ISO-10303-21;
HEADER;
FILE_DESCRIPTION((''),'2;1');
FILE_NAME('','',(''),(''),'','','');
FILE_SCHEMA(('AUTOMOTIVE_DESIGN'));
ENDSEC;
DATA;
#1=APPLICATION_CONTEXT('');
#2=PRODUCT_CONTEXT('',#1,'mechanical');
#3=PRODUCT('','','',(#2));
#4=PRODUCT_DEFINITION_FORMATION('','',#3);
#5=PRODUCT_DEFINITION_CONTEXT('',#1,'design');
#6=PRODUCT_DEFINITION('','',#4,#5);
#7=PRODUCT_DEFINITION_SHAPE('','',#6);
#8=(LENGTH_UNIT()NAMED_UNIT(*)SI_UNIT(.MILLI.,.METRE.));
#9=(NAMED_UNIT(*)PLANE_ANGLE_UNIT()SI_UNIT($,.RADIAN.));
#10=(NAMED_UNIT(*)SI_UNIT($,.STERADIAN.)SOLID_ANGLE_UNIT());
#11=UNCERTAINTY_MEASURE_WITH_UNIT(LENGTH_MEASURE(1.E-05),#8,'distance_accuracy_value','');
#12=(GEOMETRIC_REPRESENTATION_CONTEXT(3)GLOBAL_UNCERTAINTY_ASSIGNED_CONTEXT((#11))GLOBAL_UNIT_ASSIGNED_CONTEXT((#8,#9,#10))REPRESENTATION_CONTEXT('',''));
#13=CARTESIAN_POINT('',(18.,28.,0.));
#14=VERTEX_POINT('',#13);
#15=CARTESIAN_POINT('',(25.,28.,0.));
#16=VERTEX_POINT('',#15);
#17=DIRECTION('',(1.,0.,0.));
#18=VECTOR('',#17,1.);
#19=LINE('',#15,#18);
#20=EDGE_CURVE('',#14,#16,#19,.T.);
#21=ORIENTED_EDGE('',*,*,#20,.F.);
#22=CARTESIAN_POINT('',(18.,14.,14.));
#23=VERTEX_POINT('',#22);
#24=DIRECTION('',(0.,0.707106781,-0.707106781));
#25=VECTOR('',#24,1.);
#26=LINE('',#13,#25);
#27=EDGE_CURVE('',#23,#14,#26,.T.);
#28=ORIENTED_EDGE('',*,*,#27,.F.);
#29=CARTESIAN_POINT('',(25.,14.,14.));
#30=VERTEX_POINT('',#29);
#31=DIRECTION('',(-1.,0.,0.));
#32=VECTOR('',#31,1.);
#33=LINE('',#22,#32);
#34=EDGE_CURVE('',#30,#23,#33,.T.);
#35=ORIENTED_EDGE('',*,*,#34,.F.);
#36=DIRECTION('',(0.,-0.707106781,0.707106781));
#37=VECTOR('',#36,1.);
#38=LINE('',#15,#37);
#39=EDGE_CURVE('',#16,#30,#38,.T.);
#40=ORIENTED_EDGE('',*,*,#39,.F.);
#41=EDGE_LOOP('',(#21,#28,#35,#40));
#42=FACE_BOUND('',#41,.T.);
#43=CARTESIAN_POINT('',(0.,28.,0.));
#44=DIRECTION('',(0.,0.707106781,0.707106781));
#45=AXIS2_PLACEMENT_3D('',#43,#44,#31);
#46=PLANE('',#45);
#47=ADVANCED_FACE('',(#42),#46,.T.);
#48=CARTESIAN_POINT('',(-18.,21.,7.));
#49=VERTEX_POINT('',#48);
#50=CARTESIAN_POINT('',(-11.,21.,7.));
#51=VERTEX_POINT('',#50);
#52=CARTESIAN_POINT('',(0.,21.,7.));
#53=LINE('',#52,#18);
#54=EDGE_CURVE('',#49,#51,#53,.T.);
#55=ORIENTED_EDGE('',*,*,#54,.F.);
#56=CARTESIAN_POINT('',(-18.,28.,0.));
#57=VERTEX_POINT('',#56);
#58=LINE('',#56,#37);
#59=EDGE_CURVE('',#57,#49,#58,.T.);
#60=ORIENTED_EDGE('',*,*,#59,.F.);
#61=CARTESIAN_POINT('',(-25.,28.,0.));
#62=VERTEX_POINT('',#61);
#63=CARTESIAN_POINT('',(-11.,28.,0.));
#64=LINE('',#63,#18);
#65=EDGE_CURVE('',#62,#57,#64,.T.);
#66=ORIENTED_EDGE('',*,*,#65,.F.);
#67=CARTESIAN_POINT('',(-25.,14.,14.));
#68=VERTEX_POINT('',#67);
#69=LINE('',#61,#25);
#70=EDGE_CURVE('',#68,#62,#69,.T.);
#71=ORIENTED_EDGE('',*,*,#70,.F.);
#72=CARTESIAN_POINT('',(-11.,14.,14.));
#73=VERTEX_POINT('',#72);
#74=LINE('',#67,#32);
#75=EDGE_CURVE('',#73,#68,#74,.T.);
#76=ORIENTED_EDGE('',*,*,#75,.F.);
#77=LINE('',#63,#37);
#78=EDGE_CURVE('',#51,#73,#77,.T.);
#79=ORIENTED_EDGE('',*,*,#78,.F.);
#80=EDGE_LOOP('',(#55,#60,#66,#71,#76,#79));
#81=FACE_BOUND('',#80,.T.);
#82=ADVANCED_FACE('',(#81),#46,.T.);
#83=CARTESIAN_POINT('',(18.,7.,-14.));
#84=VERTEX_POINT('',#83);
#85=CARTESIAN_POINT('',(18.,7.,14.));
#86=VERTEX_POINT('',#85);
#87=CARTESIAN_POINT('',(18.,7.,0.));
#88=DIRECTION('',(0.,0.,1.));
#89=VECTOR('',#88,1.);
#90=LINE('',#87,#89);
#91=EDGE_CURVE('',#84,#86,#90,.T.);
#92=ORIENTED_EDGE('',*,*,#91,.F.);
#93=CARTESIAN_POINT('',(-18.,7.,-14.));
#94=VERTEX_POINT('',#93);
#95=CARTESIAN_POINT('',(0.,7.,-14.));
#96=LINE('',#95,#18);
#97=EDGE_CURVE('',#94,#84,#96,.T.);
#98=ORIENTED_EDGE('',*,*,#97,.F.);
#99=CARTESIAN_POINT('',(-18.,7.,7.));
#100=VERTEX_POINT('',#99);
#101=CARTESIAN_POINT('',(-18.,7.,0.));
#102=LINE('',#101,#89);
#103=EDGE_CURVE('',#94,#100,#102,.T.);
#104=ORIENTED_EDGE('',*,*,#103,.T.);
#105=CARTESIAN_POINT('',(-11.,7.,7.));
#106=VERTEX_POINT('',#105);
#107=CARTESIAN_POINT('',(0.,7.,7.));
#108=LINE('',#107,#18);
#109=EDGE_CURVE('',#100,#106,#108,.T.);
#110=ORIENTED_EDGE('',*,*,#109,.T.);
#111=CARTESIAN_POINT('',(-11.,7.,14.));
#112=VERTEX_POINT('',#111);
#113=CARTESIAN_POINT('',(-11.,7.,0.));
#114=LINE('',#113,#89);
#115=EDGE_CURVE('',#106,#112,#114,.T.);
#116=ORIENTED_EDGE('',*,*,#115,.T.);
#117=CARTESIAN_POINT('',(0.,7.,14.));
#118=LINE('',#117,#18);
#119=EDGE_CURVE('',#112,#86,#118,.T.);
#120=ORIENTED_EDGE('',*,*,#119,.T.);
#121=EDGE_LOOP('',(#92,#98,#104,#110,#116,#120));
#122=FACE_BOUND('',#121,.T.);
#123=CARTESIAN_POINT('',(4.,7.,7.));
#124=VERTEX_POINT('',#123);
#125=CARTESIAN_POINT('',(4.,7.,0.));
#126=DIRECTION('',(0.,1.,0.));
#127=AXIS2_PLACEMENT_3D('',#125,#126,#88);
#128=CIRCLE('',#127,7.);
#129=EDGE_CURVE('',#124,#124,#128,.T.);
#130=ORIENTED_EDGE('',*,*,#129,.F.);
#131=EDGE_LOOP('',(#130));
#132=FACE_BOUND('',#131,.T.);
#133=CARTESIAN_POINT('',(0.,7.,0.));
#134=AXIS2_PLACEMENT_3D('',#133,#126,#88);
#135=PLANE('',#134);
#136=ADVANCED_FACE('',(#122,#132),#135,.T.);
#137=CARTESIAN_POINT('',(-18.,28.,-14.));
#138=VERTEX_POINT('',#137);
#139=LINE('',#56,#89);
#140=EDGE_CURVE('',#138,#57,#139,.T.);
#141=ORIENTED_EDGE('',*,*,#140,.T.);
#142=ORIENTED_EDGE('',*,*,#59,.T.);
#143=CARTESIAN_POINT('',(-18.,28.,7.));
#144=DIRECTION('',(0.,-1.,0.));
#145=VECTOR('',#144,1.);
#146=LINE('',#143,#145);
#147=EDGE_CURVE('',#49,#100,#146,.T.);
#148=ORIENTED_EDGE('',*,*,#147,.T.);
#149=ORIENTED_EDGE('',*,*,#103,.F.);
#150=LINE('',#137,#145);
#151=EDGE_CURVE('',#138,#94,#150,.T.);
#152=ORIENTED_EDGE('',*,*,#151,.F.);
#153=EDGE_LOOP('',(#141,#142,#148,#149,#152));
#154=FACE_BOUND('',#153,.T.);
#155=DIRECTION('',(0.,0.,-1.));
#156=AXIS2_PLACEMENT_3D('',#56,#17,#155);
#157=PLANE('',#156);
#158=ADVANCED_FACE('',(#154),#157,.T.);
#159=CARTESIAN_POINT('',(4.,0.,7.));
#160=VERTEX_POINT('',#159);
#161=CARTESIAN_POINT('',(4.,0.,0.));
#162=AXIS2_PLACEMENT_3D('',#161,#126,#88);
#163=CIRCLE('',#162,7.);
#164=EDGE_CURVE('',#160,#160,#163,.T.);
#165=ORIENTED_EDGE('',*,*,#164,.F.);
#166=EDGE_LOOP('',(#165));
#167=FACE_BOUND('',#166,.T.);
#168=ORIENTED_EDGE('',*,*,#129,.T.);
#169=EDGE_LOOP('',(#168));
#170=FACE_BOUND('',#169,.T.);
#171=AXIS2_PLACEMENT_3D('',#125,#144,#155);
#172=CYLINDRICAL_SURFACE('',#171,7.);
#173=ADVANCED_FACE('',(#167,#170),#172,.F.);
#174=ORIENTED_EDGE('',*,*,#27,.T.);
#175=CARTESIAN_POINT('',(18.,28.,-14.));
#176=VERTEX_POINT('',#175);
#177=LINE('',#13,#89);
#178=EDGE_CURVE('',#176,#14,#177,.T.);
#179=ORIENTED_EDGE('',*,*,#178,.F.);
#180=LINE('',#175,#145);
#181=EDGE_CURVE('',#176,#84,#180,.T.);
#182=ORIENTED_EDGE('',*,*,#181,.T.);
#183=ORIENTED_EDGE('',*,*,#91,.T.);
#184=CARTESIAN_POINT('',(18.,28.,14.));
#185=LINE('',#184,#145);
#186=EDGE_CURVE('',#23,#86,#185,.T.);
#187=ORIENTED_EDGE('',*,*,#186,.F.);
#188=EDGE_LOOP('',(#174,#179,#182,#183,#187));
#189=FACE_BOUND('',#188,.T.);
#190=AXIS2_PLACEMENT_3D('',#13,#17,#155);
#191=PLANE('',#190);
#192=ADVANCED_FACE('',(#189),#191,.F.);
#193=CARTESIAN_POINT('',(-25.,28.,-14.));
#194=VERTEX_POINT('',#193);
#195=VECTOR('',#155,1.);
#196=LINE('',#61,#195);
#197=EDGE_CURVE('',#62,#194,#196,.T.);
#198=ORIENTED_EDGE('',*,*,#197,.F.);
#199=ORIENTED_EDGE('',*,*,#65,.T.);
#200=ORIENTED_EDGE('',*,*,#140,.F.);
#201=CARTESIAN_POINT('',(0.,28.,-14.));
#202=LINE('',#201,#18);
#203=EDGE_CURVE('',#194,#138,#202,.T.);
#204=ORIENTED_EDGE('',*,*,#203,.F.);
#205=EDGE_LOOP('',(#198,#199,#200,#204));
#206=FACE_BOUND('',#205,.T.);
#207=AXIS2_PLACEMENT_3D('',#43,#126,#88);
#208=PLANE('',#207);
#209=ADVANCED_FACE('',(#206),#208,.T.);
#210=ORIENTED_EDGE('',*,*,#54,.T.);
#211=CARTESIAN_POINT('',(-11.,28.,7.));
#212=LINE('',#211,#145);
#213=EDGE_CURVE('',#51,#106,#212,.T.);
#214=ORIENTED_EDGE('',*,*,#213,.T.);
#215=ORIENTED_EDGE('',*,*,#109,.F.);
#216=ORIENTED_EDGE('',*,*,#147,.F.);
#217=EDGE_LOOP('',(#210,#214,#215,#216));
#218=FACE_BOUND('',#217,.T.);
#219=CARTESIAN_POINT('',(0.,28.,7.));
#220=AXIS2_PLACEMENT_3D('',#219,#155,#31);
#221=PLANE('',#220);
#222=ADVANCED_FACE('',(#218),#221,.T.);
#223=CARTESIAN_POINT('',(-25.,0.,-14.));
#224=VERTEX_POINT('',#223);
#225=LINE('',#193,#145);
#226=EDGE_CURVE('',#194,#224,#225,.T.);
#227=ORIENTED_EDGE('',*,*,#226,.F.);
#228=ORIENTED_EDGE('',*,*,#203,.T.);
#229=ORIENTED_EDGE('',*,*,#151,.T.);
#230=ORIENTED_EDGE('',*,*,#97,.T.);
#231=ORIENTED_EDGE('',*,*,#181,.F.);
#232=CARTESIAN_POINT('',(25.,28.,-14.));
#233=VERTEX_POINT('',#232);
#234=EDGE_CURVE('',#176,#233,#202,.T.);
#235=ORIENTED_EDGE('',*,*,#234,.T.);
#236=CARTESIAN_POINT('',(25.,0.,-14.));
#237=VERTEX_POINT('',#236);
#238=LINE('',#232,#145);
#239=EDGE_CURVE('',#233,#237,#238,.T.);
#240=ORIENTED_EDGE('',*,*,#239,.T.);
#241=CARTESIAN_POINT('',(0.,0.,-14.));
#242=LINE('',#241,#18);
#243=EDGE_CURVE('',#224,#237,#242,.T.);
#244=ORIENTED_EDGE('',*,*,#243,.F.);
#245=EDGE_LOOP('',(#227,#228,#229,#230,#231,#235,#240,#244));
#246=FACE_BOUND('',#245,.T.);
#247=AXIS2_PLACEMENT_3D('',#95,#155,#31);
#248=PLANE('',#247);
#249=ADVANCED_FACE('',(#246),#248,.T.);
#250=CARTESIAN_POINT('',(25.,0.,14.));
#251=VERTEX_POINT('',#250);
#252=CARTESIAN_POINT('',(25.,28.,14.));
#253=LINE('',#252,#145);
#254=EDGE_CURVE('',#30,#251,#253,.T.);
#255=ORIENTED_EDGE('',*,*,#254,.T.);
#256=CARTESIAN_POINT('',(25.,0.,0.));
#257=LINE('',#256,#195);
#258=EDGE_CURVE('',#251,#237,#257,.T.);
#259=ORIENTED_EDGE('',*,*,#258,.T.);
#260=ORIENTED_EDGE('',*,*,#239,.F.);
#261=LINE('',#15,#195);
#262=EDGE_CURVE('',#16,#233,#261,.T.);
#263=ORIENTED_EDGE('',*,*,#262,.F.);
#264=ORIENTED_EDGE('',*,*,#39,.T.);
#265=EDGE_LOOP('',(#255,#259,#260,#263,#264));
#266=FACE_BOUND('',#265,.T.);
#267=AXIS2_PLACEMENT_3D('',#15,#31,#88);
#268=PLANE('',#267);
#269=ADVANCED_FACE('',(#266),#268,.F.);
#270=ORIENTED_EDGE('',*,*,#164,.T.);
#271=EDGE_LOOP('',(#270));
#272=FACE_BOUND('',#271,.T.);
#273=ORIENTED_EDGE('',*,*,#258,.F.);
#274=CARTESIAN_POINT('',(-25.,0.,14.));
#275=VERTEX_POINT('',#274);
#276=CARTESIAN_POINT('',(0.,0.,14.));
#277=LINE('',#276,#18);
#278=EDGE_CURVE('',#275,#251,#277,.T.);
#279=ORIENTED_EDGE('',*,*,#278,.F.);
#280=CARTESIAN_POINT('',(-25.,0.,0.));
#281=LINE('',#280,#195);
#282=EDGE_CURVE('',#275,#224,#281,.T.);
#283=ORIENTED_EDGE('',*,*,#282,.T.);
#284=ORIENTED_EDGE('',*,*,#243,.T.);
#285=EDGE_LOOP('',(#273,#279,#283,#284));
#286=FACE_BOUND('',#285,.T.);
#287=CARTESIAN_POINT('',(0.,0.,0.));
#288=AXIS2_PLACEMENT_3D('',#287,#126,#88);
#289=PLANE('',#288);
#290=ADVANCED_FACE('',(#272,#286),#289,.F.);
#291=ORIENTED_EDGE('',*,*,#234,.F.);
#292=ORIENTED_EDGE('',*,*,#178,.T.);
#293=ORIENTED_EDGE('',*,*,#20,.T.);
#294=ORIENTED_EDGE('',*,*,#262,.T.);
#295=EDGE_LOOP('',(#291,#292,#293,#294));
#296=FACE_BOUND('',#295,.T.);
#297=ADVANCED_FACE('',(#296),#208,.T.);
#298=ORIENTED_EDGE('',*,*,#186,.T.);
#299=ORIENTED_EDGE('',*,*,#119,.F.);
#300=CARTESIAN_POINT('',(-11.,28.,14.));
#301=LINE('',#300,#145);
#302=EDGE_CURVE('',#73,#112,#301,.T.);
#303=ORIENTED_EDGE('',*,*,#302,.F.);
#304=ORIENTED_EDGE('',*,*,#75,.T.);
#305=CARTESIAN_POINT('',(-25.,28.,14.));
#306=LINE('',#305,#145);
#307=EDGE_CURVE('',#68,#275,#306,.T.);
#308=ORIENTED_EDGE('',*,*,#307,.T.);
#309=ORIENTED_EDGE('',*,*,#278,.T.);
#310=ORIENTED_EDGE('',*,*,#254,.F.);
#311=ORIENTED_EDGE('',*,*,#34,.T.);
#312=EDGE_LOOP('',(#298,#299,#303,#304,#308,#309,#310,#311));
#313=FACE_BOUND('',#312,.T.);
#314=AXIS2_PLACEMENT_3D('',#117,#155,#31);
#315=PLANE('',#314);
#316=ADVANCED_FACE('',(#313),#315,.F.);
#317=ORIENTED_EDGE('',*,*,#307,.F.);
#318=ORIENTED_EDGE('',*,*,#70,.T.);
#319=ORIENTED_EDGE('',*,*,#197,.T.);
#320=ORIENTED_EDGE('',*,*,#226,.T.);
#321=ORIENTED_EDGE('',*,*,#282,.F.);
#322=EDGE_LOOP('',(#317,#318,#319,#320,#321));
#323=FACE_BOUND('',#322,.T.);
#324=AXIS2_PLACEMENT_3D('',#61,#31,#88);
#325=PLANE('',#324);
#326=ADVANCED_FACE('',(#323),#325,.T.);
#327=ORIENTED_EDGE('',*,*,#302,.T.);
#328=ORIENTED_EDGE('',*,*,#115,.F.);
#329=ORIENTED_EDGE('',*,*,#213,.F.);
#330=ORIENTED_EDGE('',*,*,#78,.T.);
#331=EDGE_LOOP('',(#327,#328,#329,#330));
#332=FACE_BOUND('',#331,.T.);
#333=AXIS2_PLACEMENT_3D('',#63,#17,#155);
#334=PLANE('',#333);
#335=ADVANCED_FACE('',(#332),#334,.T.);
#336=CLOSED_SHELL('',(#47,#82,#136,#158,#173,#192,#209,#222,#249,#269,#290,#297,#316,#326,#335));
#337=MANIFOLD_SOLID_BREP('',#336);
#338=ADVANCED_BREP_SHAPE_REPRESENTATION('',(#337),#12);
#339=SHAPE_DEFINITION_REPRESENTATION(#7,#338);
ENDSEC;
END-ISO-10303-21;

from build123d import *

# Parameters (mm, degrees)
SKETCH1_R           = 7
BOSS_EXTRUDE1_DEPTH = 7
SKETCH1_3_W         = 7
SKETCH1_3_H         = 28
BOSS_EXTRUDE2_DEPTH = 28
CHAMFER1_SIZE       = 14


with BuildPart() as part:
    # Sketch1 → Boss-Extrude1 (new body)
    with BuildSketch(Plane(origin=(0, 0, 0), x_dir=(1, 0, 0), z_dir=(0, 1, 0))):
        Polygon((18, -14), (18, 14), (-18, 14), (-18, -7), (-11, -7), (-11, -14), align=None)
        with Locations((4, 0)):
            Circle(SKETCH1_R, mode=Mode.SUBTRACT)
    extrude(amount=BOSS_EXTRUDE1_DEPTH)

    # Sketch1<3> → Boss-Extrude2 (add)
    with BuildSketch(Plane(origin=(0, 0, 0), x_dir=(1, 0, 0), z_dir=(0, 1, 0))):
        Polygon((-18, -7), (-18, 14), (-25, 14), (-25, -14), (-11, -14), (-11, -7), align=None)
        with Locations((21.5, 0)):
            Rectangle(SKETCH1_3_W, SKETCH1_3_H)
    extrude(amount=BOSS_EXTRUDE2_DEPTH)

    # Chamfer1
    chamfer1_edges = [part.edges().sort_by_distance(p)[0] for p in [
        (-18, 28, 14),
        (21.5, 28, 14),
    ]]
    chamfer(chamfer1_edges, length=CHAMFER1_SIZE)


solid = part.part
